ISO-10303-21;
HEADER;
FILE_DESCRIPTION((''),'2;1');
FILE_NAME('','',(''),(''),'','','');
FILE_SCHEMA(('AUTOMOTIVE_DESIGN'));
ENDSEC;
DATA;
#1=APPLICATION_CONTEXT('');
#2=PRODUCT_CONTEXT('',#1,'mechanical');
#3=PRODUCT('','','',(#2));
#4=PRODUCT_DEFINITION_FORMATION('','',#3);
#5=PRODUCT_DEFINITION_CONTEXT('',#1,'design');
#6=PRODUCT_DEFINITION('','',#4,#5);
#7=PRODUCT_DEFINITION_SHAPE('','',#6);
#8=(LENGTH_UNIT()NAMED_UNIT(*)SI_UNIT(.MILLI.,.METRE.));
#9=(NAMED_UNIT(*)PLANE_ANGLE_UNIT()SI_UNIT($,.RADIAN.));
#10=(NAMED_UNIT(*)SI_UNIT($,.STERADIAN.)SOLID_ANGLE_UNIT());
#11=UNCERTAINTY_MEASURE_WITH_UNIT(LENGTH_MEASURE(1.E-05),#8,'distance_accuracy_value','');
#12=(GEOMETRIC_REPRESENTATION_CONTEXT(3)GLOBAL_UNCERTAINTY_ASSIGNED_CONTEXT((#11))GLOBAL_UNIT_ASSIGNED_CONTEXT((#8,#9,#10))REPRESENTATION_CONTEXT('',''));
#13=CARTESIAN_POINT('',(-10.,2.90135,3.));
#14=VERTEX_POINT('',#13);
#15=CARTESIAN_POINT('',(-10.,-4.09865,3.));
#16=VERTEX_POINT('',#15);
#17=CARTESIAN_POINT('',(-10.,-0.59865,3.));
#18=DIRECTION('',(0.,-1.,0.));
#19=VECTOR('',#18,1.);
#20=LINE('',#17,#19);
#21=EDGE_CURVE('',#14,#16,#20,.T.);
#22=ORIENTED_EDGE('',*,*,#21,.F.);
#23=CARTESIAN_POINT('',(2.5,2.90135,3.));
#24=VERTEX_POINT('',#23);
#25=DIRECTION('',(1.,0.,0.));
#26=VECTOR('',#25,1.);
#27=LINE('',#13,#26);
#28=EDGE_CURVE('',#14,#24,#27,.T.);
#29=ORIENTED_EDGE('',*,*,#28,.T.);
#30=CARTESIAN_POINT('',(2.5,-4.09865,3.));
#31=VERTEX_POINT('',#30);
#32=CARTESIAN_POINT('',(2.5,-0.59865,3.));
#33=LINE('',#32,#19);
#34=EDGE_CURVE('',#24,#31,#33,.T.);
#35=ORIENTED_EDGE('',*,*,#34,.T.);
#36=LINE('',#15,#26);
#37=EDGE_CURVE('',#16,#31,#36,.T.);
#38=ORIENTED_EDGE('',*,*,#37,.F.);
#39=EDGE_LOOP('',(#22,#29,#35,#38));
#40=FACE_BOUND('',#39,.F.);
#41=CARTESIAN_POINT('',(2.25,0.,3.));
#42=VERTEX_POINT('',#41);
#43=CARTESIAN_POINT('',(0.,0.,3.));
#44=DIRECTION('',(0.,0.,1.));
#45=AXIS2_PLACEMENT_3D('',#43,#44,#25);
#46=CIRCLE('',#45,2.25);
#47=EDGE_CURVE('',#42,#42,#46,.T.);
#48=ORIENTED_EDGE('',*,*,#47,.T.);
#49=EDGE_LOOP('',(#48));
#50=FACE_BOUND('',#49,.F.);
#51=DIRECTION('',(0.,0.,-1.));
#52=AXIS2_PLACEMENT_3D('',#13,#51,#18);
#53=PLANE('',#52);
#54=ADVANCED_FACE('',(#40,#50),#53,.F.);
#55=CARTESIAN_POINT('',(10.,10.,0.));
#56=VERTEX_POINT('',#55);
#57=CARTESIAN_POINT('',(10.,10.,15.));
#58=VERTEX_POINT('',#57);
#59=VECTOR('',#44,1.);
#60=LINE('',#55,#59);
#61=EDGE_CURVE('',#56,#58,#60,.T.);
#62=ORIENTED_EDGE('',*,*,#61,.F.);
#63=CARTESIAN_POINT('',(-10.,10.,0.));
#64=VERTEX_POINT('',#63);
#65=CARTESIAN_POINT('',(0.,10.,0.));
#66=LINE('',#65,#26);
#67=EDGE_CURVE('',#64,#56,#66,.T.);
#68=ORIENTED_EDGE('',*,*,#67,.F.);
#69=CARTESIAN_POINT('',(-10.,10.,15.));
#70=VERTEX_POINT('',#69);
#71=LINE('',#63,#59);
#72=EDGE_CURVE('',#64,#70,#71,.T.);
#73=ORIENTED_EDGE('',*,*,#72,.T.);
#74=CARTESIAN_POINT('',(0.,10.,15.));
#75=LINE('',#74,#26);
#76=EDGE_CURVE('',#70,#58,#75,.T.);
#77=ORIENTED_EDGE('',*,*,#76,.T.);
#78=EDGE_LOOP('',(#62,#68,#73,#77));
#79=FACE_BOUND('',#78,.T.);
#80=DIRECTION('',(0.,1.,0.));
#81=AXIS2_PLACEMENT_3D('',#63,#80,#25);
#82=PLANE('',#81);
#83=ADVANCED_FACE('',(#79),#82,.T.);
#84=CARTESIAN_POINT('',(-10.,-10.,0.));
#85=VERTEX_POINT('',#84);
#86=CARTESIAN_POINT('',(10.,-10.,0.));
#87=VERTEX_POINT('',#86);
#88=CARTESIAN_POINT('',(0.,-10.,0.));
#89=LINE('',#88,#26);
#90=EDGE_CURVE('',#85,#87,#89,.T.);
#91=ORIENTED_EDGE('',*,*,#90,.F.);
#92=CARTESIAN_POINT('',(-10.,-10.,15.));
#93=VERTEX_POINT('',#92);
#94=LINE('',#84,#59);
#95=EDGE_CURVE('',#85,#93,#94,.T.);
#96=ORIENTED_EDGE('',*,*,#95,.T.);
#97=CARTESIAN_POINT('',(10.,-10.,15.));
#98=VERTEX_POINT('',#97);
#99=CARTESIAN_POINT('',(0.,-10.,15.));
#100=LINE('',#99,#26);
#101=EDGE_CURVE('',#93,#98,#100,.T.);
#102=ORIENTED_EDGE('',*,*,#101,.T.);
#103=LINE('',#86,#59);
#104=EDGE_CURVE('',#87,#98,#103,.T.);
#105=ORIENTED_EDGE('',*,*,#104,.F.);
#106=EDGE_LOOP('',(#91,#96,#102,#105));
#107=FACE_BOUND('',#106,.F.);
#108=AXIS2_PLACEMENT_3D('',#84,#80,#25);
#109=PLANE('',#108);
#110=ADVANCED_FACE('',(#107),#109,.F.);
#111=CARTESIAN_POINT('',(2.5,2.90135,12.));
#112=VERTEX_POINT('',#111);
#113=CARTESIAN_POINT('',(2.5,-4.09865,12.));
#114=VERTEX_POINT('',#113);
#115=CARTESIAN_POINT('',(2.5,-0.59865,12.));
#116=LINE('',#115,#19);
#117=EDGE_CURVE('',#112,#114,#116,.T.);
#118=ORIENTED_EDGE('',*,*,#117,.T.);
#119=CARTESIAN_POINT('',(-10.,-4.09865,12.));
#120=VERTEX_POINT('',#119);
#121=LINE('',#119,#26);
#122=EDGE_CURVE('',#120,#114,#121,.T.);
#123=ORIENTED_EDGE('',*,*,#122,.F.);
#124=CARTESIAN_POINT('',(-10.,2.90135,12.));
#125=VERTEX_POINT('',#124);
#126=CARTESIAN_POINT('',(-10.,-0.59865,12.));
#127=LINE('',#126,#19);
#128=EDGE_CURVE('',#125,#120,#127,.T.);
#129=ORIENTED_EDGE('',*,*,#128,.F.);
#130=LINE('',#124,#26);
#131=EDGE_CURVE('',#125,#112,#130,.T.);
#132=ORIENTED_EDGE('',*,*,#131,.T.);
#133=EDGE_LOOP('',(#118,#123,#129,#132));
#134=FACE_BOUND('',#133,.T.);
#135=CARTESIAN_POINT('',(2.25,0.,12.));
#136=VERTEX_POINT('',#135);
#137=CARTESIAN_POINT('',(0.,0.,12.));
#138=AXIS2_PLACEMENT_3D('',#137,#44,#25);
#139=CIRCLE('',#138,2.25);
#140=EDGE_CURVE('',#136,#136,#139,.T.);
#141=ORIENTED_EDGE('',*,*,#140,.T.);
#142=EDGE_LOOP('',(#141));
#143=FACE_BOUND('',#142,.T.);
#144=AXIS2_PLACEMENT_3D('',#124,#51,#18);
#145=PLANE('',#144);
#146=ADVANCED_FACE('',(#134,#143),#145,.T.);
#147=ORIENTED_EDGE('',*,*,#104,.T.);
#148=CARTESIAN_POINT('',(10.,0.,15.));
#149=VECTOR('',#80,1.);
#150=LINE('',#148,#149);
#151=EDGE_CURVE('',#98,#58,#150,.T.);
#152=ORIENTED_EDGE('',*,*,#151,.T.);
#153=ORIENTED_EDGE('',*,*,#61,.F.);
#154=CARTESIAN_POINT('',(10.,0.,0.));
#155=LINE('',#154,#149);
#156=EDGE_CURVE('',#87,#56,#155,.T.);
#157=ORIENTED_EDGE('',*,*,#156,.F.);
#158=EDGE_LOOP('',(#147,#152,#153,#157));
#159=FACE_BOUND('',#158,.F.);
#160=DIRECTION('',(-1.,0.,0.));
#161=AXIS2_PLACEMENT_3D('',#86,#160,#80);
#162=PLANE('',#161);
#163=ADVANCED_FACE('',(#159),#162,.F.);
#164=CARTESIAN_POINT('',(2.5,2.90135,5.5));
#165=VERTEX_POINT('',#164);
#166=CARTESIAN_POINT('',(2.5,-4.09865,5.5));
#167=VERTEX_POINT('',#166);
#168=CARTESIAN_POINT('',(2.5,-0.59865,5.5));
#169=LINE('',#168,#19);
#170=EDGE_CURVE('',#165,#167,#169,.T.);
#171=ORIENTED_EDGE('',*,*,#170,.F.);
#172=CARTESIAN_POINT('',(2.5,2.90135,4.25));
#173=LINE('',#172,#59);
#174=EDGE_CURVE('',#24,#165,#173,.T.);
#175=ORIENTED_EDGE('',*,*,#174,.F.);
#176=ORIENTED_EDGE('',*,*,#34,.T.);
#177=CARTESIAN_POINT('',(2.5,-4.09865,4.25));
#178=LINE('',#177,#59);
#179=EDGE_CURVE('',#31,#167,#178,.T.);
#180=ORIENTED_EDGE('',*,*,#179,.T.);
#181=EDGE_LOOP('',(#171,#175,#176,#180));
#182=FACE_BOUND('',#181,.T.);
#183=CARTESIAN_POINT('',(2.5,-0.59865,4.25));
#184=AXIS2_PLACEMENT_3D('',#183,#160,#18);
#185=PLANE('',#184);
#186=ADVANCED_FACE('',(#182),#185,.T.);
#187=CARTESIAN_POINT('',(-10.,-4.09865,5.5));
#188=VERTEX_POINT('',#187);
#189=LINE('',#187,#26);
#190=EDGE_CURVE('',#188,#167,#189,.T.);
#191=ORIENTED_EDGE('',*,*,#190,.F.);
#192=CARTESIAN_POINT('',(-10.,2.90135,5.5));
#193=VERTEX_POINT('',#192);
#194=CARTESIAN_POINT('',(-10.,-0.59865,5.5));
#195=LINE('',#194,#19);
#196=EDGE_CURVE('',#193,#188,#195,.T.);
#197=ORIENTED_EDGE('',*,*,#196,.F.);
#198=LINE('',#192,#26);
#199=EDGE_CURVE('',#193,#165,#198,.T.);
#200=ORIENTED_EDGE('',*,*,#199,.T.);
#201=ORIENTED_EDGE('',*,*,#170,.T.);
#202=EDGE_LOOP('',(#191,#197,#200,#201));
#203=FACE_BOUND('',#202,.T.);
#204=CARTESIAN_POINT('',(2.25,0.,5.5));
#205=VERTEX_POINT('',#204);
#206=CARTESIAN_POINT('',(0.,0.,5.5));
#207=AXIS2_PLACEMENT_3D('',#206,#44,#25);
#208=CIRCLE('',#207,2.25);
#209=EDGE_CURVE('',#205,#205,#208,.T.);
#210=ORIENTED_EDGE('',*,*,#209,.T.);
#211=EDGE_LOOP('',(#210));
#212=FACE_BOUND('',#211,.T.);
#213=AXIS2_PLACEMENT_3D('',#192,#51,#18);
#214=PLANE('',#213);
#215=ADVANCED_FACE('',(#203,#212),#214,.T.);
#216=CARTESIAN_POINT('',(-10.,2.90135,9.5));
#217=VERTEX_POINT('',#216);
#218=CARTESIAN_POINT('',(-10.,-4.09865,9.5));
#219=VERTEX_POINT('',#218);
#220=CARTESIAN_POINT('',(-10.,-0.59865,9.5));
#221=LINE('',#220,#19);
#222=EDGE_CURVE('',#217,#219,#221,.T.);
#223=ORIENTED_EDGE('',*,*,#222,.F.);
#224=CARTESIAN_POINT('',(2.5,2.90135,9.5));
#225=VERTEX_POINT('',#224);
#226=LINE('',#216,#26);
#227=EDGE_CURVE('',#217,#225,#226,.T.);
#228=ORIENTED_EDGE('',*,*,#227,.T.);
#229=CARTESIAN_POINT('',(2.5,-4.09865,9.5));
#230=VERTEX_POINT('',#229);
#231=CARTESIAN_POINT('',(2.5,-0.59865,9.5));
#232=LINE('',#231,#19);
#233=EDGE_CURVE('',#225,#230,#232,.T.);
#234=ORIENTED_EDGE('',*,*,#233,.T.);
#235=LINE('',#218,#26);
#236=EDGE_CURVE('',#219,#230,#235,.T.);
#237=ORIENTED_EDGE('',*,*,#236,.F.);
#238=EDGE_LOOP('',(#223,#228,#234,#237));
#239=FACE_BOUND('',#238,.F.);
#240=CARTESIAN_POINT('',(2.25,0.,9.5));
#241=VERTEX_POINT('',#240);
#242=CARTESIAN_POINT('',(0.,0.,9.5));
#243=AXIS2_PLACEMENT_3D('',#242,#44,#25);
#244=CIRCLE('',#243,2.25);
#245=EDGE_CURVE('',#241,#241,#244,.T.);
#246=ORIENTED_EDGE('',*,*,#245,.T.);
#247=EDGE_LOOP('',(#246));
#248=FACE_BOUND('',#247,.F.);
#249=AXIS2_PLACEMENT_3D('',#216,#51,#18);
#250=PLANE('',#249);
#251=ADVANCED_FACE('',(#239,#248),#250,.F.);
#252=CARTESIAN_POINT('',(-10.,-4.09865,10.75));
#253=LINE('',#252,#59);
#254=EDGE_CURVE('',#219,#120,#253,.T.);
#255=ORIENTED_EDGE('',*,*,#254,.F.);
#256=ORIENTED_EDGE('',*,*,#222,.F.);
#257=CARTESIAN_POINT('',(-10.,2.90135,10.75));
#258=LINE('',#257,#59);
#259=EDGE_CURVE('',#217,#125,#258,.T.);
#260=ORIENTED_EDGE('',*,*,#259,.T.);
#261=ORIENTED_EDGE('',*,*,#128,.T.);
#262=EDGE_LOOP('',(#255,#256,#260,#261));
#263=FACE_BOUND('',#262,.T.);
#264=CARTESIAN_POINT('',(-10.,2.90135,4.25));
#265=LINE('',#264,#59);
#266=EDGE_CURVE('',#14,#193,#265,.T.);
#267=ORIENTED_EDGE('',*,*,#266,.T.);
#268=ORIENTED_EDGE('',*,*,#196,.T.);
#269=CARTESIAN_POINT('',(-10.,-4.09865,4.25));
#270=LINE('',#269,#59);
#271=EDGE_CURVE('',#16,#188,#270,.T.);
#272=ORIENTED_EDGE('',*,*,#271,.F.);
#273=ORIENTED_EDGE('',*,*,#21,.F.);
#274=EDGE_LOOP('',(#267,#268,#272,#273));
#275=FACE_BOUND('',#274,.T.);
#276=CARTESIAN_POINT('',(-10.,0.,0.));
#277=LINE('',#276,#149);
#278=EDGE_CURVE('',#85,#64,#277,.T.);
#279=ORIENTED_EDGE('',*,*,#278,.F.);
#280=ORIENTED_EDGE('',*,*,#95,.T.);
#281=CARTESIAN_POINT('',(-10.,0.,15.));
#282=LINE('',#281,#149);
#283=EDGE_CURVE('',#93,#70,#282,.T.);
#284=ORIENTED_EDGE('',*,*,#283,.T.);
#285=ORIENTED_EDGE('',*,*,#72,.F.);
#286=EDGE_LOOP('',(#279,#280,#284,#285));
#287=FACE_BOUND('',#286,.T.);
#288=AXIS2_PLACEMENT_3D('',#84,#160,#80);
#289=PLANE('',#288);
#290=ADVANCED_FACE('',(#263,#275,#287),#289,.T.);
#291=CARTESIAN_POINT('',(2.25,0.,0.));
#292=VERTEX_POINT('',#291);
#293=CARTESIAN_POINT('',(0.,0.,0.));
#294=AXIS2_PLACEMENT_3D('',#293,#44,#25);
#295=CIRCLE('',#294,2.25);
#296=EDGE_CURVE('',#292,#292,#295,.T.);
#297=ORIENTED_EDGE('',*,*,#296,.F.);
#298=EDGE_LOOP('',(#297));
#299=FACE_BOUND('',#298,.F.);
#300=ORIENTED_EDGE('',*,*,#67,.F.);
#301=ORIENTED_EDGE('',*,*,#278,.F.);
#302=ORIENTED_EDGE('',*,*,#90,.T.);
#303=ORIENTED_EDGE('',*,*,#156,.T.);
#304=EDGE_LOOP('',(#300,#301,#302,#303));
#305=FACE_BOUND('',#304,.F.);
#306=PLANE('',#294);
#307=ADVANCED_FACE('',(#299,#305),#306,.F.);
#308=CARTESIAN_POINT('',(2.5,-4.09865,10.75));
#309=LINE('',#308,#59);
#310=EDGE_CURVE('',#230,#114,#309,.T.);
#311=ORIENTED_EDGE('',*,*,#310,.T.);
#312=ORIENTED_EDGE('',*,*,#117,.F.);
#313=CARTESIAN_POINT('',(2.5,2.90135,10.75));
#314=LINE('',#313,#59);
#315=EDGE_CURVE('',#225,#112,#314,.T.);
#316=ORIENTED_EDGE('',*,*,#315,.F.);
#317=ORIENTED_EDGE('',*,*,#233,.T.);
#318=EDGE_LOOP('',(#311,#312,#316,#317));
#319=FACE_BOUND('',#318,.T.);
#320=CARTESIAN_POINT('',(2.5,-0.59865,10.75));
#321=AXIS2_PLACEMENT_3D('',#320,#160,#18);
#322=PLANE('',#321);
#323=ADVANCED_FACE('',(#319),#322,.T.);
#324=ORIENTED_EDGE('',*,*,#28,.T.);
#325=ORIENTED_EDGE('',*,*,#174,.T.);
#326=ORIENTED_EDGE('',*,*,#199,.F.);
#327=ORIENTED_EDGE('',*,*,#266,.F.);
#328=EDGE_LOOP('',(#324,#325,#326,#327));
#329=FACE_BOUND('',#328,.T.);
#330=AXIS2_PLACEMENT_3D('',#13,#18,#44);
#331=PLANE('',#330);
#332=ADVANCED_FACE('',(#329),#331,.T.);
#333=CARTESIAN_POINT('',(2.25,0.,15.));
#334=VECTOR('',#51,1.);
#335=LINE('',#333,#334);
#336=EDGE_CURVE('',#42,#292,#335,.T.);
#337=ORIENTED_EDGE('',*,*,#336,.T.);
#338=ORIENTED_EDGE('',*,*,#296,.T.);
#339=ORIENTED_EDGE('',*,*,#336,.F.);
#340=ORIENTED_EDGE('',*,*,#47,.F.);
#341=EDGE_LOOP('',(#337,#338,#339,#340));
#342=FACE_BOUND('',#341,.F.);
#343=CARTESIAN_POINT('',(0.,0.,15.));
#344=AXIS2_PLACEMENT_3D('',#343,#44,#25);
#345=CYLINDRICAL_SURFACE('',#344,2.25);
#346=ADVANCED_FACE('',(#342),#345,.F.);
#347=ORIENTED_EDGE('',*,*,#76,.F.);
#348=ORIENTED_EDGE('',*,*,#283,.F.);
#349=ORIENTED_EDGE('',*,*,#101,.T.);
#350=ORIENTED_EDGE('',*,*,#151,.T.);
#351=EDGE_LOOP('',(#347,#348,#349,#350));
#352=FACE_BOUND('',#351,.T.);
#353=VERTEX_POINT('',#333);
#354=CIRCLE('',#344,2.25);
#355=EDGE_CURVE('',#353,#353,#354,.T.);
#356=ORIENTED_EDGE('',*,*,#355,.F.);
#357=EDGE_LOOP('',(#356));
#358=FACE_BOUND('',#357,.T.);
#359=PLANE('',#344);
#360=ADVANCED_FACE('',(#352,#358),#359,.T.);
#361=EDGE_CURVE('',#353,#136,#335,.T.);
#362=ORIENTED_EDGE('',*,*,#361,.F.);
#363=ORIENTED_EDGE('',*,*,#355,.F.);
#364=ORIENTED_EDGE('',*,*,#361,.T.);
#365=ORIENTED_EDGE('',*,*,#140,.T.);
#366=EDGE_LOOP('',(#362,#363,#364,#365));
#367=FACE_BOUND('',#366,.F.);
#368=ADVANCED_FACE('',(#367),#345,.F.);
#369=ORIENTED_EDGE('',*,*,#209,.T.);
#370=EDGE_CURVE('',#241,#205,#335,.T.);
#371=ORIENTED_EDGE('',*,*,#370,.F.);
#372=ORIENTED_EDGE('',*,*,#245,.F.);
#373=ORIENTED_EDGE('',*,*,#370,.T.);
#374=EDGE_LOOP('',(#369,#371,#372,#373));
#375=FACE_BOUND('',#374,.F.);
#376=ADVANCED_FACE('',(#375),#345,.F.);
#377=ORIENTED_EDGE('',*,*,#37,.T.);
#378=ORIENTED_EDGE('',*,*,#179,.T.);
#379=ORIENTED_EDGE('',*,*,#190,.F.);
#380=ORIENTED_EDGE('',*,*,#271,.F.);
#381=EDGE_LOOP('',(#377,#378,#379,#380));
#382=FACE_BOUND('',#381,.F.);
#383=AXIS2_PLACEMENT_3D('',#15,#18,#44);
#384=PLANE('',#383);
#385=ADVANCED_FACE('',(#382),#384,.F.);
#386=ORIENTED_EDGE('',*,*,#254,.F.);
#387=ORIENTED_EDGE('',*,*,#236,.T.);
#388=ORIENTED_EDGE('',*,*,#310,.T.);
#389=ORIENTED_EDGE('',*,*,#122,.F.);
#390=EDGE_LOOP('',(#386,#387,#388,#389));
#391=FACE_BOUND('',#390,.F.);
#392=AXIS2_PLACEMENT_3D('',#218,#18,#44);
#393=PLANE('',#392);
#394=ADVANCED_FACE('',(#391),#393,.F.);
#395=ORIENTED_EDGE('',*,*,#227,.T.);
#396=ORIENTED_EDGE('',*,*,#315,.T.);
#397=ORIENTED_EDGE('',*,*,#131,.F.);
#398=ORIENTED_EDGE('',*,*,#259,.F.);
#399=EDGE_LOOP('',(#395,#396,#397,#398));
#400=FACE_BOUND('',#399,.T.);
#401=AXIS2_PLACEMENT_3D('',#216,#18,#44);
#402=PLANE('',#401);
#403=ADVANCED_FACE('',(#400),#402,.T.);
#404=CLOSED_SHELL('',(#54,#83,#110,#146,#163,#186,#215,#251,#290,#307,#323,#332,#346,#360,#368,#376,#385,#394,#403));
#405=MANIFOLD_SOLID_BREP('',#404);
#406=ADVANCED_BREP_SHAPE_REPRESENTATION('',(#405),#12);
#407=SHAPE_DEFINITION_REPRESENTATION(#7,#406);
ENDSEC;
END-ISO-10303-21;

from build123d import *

# Parameters (mm, degrees)
F0_W     = 20
F0_H     = 20
F1_DEPTH = 15
F2_R     = 2.25
F3_DEPTH = 15.001
F4_W     = 7
F4_H     = 2.5
F5_DEPTH = 12.5


with BuildPart() as f1:
    # F0 (on Top) → F1 (new body)
    with BuildSketch(Plane.XY):
        Rectangle(F0_W, F0_H)
    extrude(amount=F1_DEPTH)

    # F2 (on face) → F3 (cut, through all)
    with BuildSketch(Plane.XY.offset(15)):
        Circle(F2_R)
    extrude(amount=-F3_DEPTH, mode=Mode.SUBTRACT)

    # F4 (on face) → F5 (cut)
    with BuildSketch(Plane(origin=(-10, 0, 0), x_dir=(0, -1, 0), z_dir=(-1, 0, 0))):
        with Locations((0.59865, 4.25)):
            Rectangle(F4_W, F4_H)
        with Locations((0.59865, 10.75)):
            Rectangle(F4_W, F4_H)
    extrude(amount=-F5_DEPTH, mode=Mode.SUBTRACT)


solid = f1.part
